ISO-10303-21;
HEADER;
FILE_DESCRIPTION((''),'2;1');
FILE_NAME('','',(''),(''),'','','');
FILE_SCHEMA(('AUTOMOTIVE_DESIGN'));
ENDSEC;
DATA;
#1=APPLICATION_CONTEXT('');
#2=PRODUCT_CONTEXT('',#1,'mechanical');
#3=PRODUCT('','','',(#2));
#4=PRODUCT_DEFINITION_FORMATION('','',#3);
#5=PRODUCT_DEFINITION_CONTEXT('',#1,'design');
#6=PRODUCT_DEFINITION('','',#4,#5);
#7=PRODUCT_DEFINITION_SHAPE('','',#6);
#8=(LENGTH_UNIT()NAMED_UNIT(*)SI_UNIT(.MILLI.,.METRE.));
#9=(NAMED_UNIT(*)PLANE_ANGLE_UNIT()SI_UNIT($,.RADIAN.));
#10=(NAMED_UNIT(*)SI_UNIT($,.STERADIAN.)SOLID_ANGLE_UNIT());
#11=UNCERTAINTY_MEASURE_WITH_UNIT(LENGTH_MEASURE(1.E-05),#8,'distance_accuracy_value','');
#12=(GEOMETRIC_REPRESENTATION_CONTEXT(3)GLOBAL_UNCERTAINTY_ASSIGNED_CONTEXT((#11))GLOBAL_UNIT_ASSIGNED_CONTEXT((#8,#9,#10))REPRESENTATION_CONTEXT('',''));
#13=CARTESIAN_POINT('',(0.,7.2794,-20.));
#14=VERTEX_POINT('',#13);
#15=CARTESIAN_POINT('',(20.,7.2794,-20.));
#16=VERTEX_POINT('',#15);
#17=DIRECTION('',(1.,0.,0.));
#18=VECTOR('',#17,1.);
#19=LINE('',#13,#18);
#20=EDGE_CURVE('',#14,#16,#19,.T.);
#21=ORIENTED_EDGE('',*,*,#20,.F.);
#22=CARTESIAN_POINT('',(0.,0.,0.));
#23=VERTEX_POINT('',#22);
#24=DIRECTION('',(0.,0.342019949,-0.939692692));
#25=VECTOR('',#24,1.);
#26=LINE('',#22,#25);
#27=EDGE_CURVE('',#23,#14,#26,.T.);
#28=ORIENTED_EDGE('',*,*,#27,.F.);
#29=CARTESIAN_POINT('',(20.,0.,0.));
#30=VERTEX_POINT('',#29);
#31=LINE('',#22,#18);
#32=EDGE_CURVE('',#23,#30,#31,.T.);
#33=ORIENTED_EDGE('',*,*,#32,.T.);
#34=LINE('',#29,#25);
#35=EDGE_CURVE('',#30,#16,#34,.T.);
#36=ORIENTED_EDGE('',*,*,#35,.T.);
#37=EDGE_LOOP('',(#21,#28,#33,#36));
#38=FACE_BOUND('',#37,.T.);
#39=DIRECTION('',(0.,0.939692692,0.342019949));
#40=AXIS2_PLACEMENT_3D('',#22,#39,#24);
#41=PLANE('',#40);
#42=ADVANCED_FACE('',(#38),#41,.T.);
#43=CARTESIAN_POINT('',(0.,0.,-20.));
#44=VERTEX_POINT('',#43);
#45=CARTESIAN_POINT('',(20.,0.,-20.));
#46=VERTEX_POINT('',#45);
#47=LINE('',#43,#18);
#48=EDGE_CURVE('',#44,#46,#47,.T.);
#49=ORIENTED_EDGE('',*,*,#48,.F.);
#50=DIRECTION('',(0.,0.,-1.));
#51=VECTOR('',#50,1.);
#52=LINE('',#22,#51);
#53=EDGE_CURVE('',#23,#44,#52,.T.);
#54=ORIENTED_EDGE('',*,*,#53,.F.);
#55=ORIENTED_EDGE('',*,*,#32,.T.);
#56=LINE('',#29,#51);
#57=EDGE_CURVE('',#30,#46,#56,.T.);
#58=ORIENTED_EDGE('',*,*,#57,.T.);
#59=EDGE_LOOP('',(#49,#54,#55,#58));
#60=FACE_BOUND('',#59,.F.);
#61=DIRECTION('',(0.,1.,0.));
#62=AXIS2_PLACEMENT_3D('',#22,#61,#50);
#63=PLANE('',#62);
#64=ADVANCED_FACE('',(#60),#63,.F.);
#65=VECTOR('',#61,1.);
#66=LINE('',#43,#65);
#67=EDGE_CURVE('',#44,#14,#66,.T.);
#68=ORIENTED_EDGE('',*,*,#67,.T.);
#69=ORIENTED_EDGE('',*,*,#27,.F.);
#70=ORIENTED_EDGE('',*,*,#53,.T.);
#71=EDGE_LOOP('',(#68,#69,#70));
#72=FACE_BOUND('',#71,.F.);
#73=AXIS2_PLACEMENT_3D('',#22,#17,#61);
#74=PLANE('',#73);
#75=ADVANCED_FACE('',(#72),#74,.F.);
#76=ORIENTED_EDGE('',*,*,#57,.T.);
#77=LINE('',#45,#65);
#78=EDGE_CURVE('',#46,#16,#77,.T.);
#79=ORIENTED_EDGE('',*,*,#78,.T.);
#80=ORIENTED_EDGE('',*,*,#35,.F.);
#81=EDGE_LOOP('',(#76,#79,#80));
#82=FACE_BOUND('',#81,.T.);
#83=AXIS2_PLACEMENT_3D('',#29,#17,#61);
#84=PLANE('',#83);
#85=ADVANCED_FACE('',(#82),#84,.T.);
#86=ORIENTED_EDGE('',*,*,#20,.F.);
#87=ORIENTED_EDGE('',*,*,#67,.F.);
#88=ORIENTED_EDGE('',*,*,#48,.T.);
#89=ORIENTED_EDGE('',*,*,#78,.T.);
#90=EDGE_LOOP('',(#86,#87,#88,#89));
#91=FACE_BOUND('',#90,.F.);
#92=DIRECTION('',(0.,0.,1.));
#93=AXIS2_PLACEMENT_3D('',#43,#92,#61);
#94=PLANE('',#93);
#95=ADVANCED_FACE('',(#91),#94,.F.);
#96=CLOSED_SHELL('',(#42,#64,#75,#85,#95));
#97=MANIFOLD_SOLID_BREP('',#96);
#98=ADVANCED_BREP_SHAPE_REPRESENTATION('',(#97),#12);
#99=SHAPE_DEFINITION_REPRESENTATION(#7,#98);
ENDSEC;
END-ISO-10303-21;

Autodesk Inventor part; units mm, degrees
ref_plane "YZ Plane" through (0, 0, 0) normal (1, 0, 0) x (0, 1, 0)
ref_plane "XZ Plane" through (0, 0, 0) normal (0, 1, 0) x (-1, 0, 0)
ref_plane "XY Plane" through (0, 0, 0) normal (0, 0, 1) x (1, 0, 0)
sketch "Sketch2" plane through (0, 0, 0) normal (1, 0, 0) x (0, 1, 0)
  line L0 (0, 0) -> (7.2794, -20)
  line L1 (0, 0) -> (0, -20)
  line L2 (0, -20) -> (7.2794, -20)
  dimension "d0" = 20
  dimension "d1" = 20
extrude "Extrusion1" add sketch "Sketch2" along normal blind 20
properties part number "Finger_tip_wedge"
